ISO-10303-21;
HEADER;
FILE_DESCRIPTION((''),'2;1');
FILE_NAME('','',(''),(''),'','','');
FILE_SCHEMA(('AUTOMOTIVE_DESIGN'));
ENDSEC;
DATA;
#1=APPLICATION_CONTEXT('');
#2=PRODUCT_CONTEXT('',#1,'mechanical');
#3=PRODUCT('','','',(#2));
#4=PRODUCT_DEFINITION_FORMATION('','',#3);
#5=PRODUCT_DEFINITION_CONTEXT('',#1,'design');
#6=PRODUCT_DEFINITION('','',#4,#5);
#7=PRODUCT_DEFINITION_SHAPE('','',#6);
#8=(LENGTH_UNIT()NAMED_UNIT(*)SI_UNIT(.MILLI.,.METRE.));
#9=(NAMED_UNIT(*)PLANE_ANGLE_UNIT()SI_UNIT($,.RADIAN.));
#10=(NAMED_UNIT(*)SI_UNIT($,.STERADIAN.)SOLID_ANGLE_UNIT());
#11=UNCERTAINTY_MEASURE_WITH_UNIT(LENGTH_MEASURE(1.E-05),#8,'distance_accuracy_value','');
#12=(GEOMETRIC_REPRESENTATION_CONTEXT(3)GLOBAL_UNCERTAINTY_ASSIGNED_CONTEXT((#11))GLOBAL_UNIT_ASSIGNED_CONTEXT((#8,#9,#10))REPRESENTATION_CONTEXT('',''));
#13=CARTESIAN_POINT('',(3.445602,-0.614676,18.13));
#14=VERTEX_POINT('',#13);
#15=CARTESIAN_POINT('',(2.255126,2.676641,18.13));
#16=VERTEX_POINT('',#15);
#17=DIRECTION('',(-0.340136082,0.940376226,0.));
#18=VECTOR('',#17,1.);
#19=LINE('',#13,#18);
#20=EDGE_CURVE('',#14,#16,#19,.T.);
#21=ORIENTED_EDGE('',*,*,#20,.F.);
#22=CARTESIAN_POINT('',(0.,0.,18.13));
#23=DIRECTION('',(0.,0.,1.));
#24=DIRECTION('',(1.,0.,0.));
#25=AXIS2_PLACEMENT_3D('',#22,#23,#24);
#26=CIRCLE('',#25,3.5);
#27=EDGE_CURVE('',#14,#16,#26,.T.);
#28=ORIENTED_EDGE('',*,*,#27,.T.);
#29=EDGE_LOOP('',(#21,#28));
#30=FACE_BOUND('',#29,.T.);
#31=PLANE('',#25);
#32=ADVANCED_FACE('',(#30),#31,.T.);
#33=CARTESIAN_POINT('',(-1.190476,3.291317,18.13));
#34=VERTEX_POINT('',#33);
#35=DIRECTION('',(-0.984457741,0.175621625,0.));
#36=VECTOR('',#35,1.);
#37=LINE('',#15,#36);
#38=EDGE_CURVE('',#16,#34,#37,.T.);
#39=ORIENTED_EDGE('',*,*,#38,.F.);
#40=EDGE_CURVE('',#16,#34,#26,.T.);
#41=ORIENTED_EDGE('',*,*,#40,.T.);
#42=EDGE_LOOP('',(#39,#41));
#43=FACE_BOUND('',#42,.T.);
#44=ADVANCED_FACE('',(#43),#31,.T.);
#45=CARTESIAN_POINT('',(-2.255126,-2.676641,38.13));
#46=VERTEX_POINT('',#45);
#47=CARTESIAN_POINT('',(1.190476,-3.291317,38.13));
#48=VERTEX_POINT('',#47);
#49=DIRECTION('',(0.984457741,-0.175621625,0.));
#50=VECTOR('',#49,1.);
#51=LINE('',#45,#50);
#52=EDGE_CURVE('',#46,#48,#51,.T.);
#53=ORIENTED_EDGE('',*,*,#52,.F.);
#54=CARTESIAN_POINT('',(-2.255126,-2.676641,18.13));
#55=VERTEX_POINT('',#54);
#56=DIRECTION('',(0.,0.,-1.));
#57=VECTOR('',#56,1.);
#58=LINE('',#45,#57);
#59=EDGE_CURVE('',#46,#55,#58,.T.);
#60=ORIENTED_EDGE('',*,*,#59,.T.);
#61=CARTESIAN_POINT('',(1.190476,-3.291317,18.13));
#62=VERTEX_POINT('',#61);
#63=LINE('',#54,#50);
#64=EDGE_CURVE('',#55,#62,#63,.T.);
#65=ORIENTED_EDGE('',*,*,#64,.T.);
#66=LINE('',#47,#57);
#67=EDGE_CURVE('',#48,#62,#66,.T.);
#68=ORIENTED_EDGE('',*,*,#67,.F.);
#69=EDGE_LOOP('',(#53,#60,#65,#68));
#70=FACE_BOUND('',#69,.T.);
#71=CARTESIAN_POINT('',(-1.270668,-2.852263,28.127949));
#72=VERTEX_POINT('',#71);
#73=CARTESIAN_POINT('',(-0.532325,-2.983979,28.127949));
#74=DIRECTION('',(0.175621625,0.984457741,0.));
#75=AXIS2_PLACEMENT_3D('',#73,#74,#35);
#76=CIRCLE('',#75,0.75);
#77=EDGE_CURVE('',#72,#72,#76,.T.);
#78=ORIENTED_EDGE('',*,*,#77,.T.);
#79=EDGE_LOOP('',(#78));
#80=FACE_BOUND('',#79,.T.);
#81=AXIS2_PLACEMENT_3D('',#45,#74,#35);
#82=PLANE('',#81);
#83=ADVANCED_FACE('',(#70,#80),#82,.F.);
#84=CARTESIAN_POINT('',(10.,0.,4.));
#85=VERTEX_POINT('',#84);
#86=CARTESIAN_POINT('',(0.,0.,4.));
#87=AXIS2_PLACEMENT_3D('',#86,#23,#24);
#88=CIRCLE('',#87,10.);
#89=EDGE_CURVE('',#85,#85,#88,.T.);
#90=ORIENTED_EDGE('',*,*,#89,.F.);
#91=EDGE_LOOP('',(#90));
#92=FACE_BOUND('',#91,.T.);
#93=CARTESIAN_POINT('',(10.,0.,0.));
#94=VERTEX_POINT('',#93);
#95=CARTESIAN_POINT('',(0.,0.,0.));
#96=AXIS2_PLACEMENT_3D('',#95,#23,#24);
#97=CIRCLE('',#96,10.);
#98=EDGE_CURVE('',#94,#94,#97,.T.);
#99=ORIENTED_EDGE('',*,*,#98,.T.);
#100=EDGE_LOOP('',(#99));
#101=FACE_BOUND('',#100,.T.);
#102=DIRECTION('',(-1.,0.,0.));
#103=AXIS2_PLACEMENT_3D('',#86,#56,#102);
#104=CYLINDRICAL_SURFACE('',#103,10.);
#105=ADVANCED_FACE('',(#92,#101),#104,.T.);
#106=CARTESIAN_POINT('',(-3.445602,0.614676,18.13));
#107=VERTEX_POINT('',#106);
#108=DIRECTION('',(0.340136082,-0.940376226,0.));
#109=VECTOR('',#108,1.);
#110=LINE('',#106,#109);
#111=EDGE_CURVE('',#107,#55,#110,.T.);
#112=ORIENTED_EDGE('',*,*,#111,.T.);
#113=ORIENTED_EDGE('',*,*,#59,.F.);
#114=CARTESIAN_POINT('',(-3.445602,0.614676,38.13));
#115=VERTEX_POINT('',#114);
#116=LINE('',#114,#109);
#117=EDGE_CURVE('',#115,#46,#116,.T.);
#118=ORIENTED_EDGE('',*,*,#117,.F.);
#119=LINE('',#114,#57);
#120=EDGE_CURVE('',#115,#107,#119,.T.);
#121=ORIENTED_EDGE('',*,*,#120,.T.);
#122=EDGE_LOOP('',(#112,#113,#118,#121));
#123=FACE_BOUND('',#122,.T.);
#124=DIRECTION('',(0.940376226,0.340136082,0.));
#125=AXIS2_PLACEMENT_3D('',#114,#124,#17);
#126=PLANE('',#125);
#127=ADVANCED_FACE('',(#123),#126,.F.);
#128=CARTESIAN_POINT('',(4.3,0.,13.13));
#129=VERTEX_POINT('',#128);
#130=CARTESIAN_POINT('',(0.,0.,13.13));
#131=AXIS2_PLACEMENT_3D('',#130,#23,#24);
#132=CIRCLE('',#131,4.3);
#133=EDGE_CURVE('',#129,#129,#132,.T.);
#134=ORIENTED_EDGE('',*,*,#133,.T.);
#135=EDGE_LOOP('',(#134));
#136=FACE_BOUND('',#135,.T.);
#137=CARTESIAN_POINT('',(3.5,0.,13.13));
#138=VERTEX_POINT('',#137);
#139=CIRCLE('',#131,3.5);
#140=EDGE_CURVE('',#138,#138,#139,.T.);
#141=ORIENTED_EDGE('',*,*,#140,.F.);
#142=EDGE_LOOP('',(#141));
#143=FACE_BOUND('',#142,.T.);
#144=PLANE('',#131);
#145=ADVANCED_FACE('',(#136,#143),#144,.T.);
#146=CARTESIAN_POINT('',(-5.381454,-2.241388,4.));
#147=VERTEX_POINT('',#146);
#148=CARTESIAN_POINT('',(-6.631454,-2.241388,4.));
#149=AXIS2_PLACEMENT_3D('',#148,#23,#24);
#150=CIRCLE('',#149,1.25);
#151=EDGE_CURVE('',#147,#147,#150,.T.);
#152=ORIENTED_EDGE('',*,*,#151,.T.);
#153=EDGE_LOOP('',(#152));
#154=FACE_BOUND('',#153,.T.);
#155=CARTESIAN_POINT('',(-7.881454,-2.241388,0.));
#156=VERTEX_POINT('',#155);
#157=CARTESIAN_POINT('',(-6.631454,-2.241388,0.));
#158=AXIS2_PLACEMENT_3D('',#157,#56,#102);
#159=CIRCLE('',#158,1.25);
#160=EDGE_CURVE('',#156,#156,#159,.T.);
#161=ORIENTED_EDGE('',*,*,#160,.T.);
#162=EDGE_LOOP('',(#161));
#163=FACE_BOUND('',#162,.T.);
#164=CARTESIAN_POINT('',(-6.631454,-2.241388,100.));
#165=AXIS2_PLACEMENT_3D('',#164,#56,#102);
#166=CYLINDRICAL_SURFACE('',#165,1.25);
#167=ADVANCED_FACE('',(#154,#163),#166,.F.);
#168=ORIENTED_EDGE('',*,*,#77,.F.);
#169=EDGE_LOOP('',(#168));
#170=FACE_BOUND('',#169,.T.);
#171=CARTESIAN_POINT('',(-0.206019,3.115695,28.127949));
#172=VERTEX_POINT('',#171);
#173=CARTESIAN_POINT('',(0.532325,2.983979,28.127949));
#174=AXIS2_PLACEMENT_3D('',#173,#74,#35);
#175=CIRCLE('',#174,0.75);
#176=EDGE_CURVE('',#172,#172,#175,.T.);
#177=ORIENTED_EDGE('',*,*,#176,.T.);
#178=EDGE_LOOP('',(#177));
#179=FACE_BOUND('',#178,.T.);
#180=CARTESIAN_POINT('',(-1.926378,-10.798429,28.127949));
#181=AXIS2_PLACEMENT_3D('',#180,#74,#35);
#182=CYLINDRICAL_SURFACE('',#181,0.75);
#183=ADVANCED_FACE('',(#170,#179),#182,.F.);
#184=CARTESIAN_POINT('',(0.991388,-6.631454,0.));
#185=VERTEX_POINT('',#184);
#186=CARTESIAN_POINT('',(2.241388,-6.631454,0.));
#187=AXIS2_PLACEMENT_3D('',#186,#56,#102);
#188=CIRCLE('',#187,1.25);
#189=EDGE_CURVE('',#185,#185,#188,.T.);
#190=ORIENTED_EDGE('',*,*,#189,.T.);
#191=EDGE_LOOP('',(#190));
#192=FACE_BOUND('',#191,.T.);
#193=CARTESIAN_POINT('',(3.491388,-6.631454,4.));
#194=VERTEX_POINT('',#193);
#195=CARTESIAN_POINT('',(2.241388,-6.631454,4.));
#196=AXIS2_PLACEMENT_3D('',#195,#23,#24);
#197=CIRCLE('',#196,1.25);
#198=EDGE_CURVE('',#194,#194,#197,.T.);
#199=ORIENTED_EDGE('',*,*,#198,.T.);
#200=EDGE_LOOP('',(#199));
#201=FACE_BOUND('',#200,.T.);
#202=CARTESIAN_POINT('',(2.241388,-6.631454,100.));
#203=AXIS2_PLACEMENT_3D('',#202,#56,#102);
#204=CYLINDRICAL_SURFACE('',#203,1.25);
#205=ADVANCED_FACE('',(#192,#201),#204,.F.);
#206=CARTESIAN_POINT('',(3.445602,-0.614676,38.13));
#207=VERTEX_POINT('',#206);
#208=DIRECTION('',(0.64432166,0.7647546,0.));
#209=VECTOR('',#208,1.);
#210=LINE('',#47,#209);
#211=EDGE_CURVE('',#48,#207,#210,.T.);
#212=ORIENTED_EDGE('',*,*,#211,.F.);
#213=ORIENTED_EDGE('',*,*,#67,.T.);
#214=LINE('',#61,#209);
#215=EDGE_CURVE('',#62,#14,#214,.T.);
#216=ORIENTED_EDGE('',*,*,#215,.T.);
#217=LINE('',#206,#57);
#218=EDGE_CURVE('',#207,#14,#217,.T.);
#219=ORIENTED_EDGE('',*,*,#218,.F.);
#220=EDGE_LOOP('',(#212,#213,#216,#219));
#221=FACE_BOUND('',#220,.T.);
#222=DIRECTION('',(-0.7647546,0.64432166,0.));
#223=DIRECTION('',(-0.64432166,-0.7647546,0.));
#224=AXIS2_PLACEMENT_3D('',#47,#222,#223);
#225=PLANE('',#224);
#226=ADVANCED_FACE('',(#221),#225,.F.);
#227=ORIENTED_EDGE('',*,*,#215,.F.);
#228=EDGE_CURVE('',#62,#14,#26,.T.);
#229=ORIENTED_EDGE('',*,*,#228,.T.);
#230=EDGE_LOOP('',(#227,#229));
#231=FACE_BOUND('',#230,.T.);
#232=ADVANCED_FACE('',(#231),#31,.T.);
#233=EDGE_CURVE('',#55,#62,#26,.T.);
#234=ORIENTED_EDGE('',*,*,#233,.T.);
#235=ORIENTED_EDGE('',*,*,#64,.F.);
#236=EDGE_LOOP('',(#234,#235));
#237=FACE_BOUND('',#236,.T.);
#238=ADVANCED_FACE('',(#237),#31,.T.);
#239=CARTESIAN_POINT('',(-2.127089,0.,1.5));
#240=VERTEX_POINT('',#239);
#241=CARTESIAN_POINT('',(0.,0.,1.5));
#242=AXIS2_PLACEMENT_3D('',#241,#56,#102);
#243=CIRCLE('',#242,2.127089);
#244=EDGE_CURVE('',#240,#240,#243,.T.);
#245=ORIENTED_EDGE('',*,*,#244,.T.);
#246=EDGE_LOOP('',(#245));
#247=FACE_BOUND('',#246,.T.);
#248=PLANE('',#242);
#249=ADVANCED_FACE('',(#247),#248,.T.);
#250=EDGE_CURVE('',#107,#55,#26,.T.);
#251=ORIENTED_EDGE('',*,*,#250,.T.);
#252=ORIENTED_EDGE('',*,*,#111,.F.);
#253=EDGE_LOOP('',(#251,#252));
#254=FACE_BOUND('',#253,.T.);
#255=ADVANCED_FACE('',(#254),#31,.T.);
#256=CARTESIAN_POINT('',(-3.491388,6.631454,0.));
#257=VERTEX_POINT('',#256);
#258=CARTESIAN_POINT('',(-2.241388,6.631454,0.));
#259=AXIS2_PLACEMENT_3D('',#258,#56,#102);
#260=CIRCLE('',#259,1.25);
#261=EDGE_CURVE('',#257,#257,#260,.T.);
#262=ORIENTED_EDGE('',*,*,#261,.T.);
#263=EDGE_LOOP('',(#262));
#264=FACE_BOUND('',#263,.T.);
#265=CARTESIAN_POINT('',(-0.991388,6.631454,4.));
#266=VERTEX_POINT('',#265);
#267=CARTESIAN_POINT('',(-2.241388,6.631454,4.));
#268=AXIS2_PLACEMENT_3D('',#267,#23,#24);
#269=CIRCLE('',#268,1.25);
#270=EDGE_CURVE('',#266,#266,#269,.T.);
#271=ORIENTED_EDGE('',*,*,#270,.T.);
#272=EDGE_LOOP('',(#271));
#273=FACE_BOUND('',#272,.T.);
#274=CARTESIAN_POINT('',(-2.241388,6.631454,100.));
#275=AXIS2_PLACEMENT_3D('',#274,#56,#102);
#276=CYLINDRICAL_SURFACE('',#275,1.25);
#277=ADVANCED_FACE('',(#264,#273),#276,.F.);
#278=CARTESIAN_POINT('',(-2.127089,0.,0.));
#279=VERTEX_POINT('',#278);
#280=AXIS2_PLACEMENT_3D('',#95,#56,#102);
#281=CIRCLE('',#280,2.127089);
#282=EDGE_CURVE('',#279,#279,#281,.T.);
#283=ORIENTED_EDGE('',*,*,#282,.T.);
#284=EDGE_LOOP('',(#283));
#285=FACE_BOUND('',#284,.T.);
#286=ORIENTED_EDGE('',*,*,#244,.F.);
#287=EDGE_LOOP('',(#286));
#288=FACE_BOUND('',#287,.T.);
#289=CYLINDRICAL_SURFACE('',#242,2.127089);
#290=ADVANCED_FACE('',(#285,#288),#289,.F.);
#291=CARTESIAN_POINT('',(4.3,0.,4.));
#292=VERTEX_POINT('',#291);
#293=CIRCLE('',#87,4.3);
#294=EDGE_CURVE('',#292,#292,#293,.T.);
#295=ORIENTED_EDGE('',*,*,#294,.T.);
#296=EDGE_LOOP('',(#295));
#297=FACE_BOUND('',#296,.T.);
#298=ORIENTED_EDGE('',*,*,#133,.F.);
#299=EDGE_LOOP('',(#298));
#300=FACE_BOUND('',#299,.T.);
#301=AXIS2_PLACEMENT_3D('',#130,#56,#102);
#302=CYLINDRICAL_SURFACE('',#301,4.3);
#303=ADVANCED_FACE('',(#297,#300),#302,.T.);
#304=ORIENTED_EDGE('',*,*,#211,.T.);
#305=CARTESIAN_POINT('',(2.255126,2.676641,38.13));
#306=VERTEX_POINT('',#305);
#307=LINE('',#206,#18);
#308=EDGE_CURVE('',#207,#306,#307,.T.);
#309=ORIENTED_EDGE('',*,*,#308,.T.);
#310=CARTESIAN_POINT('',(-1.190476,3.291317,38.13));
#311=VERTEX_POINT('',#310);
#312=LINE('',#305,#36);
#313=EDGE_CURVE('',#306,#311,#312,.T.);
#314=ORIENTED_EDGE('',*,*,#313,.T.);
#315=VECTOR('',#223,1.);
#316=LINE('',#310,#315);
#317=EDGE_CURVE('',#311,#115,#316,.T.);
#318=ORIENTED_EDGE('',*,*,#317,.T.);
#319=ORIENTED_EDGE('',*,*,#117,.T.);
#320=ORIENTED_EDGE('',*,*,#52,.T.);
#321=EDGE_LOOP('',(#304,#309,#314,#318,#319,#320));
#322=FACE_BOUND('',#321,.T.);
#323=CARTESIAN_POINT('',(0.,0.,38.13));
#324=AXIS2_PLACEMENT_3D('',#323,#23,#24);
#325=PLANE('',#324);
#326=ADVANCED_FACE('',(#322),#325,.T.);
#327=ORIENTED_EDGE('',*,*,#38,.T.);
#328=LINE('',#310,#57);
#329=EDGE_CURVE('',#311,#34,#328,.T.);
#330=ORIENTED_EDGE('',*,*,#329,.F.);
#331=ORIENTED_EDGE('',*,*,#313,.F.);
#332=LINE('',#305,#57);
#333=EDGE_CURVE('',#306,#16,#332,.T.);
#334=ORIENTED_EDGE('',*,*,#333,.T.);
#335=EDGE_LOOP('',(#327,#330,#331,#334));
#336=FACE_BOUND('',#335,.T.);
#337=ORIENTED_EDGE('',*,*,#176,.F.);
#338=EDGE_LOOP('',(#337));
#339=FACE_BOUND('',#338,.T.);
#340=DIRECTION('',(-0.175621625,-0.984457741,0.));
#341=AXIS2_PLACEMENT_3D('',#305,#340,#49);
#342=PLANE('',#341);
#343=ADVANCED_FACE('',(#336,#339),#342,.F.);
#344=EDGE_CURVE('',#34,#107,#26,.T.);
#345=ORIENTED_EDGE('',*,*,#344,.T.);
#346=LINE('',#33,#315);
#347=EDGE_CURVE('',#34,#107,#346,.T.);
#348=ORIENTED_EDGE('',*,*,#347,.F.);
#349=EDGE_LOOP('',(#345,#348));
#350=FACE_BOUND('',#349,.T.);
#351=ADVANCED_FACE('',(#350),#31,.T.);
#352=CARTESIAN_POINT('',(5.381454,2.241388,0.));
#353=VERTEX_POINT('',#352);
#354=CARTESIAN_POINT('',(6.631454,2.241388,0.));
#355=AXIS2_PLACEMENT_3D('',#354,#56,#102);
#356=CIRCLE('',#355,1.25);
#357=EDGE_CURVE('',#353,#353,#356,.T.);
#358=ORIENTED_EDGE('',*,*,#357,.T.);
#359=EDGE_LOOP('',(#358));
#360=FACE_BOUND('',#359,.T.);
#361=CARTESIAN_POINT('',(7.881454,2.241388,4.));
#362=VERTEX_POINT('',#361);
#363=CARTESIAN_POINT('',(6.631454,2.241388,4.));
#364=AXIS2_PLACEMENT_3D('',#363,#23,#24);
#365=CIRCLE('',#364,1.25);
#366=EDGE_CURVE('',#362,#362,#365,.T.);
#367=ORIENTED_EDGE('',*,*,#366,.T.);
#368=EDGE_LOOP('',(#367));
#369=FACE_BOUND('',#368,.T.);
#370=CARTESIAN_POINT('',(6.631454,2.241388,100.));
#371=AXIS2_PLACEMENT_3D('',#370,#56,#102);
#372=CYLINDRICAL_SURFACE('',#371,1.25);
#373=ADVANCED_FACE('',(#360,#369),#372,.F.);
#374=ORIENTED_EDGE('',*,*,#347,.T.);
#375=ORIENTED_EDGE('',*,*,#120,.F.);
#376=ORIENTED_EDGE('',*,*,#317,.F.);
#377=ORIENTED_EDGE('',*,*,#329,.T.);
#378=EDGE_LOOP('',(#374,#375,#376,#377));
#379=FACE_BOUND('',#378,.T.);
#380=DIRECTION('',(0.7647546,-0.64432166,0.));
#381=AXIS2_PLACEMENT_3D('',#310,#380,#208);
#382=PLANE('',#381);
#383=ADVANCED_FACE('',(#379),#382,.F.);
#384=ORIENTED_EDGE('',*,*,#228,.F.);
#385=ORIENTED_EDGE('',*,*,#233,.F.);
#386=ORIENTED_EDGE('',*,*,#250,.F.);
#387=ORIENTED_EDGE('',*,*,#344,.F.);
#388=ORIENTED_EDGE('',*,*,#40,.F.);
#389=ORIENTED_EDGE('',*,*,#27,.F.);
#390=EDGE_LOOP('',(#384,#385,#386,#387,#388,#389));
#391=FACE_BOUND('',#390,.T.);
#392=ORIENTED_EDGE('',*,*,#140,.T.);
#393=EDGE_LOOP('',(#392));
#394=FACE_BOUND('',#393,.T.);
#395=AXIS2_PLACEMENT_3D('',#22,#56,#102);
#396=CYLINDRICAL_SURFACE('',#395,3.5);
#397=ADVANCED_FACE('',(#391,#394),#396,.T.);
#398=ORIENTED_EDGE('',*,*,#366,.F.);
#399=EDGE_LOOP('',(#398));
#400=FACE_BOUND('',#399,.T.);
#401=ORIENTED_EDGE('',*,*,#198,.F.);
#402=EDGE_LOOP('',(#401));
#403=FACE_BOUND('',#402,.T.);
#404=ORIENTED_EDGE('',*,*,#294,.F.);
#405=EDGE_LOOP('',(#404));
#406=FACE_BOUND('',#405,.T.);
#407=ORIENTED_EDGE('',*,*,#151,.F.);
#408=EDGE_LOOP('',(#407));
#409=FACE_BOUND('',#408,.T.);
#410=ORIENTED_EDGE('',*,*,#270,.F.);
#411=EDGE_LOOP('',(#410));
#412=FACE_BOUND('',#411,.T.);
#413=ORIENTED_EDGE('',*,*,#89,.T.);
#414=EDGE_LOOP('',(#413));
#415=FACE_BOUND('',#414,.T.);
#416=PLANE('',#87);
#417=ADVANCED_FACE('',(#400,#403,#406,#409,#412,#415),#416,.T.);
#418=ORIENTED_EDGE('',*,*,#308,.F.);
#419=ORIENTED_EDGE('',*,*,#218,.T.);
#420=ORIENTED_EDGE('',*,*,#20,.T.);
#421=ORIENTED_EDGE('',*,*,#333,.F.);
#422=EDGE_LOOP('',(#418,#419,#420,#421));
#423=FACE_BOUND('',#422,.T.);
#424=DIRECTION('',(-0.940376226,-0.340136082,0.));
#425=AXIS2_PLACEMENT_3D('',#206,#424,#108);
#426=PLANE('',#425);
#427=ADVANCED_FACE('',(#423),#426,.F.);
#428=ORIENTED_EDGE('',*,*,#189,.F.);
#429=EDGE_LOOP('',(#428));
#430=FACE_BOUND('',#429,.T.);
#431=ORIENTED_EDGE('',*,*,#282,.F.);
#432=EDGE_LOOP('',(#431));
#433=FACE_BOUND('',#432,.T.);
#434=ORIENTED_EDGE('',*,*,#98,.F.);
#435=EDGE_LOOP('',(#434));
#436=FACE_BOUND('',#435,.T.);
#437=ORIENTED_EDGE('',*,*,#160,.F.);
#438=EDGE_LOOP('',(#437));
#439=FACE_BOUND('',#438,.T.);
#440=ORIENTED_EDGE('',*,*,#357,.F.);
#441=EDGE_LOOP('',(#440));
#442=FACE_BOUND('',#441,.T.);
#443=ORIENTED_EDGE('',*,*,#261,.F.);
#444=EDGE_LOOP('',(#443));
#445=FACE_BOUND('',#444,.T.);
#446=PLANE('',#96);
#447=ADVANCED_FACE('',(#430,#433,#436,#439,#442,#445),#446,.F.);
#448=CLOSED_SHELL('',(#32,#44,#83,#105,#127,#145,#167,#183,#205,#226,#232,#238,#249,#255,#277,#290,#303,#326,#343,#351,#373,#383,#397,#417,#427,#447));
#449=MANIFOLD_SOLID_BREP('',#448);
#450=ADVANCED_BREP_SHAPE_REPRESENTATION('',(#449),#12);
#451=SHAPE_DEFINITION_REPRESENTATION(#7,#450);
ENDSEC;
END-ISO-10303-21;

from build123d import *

# Parameters (mm, degrees)
ESQUISSE1_R             = 10
BOSS_EXTRU_1_DEPTH      = 4
ESQUISSE2_R             = 3.5
BOSS_EXTRU_2_DEPTH      = 14.13
BOSS_EXTRU_3_DEPTH      = 20
ESQUISSE4_R             = 1.25
ENL_V_MAT_EXTRU_1_DEPTH = 100
ESQUISSE5_R             = 0.75
ENL_V_MAT_EXTRU_2_DEPTH = 14
ESQUISSE6_R             = 2.127089322
ENL_V_MAT_EXTRU_3_DEPTH = 1.5
ESQUISSE7_R             = 4.3
ESQUISSE7_R_2           = 3.5
BOSS_EXTRU_4_DEPTH      = 9.13


with BuildPart() as part:
    # Esquisse1 → Boss.-Extru.1 (new body)
    with BuildSketch(Plane.XY):
        Circle(ESQUISSE1_R)
    extrude(amount=BOSS_EXTRU_1_DEPTH)

    # Esquisse2 → Boss.-Extru.2 (add)
    with BuildSketch(Plane.XY.offset(4)):
        Circle(ESQUISSE2_R)
    extrude(amount=BOSS_EXTRU_2_DEPTH)

    # Esquisse3 → Boss.-Extru.3 (add)
    with BuildSketch(Plane.XY.offset(18.13)):
        Polygon((-1.190476286, 3.29131679), (-3.445602095, 0.614675689), (-2.255125809, -2.676641101), (1.190476286, -3.29131679), (3.445602095, -0.614675689), (2.255125809, 2.676641101), align=None)
    extrude(amount=BOSS_EXTRU_3_DEPTH)

    # Esquisse4 → Enlèv. mat.-Extru.1 (cut)
    with BuildSketch(Plane(origin=(0, 0, 0), x_dir=(-1, 0, 0), z_dir=(0, 0, -1))):
        with Locations((2.241387648, 6.631453944)):
            Circle(ESQUISSE4_R)
        with Locations((-6.631453944, 2.241387648)):
            Circle(ESQUISSE4_R)
        with Locations((6.631453944, -2.241387648)):
            Circle(ESQUISSE4_R)
        with Locations((-2.241387648, -6.631453944)):
            Circle(ESQUISSE4_R)
    extrude(amount=-ENL_V_MAT_EXTRU_1_DEPTH, mode=Mode.SUBTRACT)

    # Esquisse5 → Enlèv. mat.-Extru.2 (cut)
    with BuildSketch(Plane(origin=(0.532324762, 2.983978946, 0), x_dir=(0.984457741, -0.175621625, 0), z_dir=(0.175621625, 0.984457741, 0))):
        with Locations((0, -28.127949192)):
            Circle(ESQUISSE5_R)
    extrude(amount=-ENL_V_MAT_EXTRU_2_DEPTH, mode=Mode.SUBTRACT)

    # Esquisse6 → Enlèv. mat.-Extru.3 (cut)
    with BuildSketch(Plane(origin=(0, 0, 0), x_dir=(-1, 0, 0), z_dir=(0, 0, -1))):
        Circle(ESQUISSE6_R)
    extrude(amount=-ENL_V_MAT_EXTRU_3_DEPTH, mode=Mode.SUBTRACT)

    # Esquisse7 → Boss.-Extru.4 (add)
    with BuildSketch(Plane.XY.offset(4)):
        Circle(ESQUISSE7_R)
        Circle(ESQUISSE7_R_2, mode=Mode.SUBTRACT)
    extrude(amount=BOSS_EXTRU_4_DEPTH)


solid = part.part
